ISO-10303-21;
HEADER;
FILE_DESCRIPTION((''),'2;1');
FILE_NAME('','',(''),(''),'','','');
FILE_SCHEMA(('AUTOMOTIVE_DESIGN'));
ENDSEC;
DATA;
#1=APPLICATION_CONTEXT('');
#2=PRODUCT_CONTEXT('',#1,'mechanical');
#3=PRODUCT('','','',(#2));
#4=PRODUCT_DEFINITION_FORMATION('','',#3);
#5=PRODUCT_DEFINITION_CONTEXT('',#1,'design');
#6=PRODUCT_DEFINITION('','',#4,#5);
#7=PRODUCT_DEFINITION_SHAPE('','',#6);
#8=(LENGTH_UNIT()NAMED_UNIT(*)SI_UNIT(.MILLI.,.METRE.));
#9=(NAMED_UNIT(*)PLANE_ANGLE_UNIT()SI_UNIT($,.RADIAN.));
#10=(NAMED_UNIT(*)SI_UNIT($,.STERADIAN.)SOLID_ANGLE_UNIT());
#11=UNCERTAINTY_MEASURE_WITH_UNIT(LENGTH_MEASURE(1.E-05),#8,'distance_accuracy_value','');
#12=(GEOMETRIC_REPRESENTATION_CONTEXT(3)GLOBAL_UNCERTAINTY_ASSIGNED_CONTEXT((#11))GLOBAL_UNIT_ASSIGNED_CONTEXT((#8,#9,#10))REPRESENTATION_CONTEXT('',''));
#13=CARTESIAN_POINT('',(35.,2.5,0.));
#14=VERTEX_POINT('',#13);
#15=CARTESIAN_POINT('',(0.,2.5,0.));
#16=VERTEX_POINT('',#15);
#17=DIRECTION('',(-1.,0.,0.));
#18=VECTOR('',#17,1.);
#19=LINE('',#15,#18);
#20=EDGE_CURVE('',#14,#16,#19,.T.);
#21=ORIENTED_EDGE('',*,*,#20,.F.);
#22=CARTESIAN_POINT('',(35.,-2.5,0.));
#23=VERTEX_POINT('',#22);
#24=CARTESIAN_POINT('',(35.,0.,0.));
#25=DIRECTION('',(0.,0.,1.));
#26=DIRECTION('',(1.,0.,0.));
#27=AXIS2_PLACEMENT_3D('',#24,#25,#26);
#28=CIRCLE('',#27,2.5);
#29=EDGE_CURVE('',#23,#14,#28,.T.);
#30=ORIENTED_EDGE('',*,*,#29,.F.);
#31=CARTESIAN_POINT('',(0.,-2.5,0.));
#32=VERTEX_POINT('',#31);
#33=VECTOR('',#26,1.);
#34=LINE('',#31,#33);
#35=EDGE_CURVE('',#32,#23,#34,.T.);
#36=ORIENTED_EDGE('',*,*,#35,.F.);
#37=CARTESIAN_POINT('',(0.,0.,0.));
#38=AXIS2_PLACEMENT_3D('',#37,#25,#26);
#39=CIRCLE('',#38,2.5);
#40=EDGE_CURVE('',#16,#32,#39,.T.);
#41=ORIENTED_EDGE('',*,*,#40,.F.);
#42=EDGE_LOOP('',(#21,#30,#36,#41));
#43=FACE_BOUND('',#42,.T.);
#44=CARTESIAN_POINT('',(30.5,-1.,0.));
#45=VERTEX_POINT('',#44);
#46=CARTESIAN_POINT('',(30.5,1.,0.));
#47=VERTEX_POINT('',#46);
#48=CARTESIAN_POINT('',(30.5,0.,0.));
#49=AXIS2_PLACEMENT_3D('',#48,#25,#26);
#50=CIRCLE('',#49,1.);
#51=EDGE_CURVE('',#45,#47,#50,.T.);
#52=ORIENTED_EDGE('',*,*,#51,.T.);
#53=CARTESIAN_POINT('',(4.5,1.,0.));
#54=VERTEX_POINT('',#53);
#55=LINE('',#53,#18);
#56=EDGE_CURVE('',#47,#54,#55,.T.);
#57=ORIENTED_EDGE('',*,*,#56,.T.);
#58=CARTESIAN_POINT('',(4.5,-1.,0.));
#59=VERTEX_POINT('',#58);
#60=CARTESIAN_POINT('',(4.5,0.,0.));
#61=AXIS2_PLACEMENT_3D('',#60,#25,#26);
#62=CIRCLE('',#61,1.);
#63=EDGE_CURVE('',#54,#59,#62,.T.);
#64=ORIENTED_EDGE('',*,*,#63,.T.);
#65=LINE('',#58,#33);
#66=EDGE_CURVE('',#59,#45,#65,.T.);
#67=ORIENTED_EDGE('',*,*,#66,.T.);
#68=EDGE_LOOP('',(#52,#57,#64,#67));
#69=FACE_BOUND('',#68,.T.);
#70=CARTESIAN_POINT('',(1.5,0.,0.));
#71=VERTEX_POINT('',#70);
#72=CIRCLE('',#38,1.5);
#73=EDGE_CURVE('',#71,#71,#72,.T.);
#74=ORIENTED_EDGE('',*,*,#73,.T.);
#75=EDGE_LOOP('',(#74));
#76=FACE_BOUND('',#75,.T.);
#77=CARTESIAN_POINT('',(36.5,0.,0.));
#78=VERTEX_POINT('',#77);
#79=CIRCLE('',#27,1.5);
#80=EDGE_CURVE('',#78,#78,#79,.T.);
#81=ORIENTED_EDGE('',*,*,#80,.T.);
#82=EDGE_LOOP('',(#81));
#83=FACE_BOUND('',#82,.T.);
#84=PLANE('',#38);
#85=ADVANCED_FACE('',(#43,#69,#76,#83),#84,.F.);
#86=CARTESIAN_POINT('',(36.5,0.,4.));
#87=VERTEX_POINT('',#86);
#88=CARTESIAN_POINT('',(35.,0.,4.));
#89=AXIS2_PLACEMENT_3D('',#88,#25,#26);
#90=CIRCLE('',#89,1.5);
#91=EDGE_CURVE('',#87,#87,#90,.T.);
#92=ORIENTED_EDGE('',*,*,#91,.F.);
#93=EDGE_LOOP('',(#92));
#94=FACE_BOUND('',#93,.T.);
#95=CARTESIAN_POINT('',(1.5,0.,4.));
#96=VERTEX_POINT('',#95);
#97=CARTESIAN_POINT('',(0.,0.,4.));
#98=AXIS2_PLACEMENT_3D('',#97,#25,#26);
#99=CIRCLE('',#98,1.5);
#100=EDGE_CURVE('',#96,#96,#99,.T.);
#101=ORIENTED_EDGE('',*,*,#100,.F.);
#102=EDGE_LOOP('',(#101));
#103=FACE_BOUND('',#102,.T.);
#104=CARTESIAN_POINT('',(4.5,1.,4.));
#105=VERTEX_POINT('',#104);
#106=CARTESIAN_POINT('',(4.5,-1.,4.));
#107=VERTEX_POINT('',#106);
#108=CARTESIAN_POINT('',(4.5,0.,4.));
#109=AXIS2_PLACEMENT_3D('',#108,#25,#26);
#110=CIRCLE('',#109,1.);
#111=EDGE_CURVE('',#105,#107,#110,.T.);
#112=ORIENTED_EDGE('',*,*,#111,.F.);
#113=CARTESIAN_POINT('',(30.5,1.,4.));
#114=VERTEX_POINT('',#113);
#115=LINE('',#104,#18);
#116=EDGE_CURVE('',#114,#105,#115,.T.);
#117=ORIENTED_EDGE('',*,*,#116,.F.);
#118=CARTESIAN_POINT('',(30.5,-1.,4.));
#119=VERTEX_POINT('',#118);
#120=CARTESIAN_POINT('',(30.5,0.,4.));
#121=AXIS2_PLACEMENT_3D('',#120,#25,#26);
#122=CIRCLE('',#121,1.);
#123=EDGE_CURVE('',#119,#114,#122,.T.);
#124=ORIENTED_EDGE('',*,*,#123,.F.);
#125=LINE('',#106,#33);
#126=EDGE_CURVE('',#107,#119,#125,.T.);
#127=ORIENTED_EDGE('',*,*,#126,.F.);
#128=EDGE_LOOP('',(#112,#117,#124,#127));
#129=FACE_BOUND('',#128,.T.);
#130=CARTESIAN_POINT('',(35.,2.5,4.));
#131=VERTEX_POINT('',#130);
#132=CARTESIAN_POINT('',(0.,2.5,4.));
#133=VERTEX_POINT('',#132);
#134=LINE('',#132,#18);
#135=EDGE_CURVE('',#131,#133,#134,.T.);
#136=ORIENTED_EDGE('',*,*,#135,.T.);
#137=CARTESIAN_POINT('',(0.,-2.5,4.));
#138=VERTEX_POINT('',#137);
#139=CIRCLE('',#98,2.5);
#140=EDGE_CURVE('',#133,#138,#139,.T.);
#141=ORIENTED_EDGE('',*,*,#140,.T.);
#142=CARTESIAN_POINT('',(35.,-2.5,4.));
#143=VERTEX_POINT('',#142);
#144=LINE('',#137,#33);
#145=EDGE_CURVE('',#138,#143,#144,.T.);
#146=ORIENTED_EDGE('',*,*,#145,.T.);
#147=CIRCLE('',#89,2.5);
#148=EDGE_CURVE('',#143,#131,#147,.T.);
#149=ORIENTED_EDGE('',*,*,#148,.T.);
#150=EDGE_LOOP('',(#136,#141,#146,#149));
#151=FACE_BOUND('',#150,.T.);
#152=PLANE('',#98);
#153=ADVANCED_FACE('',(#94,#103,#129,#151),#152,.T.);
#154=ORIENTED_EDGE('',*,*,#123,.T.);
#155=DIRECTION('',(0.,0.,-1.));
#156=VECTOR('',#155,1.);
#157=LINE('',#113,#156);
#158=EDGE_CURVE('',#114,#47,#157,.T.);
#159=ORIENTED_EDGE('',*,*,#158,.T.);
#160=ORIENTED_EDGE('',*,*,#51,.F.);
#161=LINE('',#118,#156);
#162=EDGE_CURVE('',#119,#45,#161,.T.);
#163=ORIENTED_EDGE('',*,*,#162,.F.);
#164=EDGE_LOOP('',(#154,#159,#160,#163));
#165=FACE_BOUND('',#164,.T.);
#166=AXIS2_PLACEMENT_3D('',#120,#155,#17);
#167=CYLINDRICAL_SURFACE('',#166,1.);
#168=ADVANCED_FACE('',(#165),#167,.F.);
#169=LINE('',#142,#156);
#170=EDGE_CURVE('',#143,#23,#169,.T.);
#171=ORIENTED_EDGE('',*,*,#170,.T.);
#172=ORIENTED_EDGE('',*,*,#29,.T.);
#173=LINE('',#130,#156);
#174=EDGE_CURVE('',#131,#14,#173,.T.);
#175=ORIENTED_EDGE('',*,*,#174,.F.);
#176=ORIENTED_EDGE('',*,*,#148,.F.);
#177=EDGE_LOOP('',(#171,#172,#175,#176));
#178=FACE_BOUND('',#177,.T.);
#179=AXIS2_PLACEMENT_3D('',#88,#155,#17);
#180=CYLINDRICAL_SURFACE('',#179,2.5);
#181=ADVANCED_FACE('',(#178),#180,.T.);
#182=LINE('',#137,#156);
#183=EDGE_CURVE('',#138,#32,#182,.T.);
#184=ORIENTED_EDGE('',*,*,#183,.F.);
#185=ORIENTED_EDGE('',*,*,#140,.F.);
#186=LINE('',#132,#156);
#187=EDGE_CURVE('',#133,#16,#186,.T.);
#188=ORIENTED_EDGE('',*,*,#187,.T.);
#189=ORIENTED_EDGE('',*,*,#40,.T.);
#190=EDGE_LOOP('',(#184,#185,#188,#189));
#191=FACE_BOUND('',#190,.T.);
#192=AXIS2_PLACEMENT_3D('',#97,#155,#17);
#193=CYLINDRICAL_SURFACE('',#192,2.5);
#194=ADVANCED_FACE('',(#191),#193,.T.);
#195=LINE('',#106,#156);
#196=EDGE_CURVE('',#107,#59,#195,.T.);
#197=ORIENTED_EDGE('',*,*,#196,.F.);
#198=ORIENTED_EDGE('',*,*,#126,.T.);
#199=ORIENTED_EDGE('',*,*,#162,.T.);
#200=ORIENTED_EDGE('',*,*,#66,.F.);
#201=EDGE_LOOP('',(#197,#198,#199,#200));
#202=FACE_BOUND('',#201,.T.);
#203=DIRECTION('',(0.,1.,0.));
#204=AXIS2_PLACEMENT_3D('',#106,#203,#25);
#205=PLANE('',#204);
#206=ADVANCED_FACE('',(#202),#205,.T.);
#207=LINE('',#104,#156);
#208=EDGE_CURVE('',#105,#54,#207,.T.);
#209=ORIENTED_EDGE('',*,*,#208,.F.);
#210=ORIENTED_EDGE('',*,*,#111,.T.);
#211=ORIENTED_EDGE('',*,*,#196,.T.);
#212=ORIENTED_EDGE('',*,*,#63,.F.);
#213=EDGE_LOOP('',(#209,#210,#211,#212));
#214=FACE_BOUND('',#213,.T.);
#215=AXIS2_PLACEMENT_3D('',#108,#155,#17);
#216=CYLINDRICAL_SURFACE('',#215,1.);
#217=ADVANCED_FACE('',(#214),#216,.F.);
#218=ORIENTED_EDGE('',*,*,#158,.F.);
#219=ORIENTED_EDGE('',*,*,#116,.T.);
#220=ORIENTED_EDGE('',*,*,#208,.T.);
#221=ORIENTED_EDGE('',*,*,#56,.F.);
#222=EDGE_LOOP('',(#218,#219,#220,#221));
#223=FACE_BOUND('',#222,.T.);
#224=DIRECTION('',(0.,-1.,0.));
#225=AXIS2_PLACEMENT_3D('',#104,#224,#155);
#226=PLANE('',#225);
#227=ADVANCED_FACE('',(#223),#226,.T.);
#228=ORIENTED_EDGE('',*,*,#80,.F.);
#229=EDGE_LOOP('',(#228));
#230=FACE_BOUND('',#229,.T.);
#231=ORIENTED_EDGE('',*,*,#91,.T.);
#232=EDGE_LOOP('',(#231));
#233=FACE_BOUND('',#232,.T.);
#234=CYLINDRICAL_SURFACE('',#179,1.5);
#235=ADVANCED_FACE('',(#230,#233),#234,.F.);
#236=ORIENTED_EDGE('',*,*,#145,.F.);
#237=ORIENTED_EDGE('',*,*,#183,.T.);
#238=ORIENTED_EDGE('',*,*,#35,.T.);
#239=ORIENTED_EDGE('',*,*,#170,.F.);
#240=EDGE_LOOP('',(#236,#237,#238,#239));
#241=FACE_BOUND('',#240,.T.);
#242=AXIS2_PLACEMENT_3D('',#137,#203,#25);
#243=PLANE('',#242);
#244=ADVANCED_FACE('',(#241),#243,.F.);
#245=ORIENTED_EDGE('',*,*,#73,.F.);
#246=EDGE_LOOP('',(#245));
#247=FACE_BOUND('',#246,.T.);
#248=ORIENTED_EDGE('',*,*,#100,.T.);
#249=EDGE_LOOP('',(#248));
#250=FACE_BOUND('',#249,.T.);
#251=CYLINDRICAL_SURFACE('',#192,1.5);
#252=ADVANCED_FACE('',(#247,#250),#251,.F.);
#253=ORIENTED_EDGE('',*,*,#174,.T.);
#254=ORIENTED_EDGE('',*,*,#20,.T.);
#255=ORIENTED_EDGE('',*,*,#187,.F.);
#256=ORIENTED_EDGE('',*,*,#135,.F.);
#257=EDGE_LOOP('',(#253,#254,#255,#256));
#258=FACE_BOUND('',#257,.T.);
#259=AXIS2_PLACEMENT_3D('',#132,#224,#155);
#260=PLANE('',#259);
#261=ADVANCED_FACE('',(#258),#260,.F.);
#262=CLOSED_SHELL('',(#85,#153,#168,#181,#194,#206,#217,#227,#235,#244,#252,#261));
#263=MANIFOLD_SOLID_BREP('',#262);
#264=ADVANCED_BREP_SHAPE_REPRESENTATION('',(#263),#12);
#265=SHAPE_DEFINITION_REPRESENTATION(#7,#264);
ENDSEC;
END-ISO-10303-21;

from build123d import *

# Parameters (mm, degrees)
ESQUISSE1_R        = 1.5
BOSS_EXTRU_1_DEPTH = 4


with BuildPart() as part:
    # Esquisse1 → Boss.-Extru.1 (new body)
    with BuildSketch(Plane.XY):
        with BuildLine():
            Line((0, 2.5), (35, 2.5))
            ThreePointArc((35, 2.5), (37.5, 0), (35, -2.5))
            Line((35, -2.5), (0, -2.5))
            ThreePointArc((0, -2.5), (-2.5, 0), (0, 2.5))
        make_face()
        Circle(ESQUISSE1_R, mode=Mode.SUBTRACT)
        with Locations((35, 0)):
            Circle(ESQUISSE1_R, mode=Mode.SUBTRACT)
        with BuildLine():
            Line((4.5, 1), (30.5, 1))
            ThreePointArc((30.5, 1), (31.5, 0), (30.5, -1))
            Line((30.5, -1), (4.5, -1))
            ThreePointArc((4.5, -1), (3.5, 0), (4.5, 1))
        make_face(mode=Mode.SUBTRACT)
    extrude(amount=BOSS_EXTRU_1_DEPTH)


solid = part.part
